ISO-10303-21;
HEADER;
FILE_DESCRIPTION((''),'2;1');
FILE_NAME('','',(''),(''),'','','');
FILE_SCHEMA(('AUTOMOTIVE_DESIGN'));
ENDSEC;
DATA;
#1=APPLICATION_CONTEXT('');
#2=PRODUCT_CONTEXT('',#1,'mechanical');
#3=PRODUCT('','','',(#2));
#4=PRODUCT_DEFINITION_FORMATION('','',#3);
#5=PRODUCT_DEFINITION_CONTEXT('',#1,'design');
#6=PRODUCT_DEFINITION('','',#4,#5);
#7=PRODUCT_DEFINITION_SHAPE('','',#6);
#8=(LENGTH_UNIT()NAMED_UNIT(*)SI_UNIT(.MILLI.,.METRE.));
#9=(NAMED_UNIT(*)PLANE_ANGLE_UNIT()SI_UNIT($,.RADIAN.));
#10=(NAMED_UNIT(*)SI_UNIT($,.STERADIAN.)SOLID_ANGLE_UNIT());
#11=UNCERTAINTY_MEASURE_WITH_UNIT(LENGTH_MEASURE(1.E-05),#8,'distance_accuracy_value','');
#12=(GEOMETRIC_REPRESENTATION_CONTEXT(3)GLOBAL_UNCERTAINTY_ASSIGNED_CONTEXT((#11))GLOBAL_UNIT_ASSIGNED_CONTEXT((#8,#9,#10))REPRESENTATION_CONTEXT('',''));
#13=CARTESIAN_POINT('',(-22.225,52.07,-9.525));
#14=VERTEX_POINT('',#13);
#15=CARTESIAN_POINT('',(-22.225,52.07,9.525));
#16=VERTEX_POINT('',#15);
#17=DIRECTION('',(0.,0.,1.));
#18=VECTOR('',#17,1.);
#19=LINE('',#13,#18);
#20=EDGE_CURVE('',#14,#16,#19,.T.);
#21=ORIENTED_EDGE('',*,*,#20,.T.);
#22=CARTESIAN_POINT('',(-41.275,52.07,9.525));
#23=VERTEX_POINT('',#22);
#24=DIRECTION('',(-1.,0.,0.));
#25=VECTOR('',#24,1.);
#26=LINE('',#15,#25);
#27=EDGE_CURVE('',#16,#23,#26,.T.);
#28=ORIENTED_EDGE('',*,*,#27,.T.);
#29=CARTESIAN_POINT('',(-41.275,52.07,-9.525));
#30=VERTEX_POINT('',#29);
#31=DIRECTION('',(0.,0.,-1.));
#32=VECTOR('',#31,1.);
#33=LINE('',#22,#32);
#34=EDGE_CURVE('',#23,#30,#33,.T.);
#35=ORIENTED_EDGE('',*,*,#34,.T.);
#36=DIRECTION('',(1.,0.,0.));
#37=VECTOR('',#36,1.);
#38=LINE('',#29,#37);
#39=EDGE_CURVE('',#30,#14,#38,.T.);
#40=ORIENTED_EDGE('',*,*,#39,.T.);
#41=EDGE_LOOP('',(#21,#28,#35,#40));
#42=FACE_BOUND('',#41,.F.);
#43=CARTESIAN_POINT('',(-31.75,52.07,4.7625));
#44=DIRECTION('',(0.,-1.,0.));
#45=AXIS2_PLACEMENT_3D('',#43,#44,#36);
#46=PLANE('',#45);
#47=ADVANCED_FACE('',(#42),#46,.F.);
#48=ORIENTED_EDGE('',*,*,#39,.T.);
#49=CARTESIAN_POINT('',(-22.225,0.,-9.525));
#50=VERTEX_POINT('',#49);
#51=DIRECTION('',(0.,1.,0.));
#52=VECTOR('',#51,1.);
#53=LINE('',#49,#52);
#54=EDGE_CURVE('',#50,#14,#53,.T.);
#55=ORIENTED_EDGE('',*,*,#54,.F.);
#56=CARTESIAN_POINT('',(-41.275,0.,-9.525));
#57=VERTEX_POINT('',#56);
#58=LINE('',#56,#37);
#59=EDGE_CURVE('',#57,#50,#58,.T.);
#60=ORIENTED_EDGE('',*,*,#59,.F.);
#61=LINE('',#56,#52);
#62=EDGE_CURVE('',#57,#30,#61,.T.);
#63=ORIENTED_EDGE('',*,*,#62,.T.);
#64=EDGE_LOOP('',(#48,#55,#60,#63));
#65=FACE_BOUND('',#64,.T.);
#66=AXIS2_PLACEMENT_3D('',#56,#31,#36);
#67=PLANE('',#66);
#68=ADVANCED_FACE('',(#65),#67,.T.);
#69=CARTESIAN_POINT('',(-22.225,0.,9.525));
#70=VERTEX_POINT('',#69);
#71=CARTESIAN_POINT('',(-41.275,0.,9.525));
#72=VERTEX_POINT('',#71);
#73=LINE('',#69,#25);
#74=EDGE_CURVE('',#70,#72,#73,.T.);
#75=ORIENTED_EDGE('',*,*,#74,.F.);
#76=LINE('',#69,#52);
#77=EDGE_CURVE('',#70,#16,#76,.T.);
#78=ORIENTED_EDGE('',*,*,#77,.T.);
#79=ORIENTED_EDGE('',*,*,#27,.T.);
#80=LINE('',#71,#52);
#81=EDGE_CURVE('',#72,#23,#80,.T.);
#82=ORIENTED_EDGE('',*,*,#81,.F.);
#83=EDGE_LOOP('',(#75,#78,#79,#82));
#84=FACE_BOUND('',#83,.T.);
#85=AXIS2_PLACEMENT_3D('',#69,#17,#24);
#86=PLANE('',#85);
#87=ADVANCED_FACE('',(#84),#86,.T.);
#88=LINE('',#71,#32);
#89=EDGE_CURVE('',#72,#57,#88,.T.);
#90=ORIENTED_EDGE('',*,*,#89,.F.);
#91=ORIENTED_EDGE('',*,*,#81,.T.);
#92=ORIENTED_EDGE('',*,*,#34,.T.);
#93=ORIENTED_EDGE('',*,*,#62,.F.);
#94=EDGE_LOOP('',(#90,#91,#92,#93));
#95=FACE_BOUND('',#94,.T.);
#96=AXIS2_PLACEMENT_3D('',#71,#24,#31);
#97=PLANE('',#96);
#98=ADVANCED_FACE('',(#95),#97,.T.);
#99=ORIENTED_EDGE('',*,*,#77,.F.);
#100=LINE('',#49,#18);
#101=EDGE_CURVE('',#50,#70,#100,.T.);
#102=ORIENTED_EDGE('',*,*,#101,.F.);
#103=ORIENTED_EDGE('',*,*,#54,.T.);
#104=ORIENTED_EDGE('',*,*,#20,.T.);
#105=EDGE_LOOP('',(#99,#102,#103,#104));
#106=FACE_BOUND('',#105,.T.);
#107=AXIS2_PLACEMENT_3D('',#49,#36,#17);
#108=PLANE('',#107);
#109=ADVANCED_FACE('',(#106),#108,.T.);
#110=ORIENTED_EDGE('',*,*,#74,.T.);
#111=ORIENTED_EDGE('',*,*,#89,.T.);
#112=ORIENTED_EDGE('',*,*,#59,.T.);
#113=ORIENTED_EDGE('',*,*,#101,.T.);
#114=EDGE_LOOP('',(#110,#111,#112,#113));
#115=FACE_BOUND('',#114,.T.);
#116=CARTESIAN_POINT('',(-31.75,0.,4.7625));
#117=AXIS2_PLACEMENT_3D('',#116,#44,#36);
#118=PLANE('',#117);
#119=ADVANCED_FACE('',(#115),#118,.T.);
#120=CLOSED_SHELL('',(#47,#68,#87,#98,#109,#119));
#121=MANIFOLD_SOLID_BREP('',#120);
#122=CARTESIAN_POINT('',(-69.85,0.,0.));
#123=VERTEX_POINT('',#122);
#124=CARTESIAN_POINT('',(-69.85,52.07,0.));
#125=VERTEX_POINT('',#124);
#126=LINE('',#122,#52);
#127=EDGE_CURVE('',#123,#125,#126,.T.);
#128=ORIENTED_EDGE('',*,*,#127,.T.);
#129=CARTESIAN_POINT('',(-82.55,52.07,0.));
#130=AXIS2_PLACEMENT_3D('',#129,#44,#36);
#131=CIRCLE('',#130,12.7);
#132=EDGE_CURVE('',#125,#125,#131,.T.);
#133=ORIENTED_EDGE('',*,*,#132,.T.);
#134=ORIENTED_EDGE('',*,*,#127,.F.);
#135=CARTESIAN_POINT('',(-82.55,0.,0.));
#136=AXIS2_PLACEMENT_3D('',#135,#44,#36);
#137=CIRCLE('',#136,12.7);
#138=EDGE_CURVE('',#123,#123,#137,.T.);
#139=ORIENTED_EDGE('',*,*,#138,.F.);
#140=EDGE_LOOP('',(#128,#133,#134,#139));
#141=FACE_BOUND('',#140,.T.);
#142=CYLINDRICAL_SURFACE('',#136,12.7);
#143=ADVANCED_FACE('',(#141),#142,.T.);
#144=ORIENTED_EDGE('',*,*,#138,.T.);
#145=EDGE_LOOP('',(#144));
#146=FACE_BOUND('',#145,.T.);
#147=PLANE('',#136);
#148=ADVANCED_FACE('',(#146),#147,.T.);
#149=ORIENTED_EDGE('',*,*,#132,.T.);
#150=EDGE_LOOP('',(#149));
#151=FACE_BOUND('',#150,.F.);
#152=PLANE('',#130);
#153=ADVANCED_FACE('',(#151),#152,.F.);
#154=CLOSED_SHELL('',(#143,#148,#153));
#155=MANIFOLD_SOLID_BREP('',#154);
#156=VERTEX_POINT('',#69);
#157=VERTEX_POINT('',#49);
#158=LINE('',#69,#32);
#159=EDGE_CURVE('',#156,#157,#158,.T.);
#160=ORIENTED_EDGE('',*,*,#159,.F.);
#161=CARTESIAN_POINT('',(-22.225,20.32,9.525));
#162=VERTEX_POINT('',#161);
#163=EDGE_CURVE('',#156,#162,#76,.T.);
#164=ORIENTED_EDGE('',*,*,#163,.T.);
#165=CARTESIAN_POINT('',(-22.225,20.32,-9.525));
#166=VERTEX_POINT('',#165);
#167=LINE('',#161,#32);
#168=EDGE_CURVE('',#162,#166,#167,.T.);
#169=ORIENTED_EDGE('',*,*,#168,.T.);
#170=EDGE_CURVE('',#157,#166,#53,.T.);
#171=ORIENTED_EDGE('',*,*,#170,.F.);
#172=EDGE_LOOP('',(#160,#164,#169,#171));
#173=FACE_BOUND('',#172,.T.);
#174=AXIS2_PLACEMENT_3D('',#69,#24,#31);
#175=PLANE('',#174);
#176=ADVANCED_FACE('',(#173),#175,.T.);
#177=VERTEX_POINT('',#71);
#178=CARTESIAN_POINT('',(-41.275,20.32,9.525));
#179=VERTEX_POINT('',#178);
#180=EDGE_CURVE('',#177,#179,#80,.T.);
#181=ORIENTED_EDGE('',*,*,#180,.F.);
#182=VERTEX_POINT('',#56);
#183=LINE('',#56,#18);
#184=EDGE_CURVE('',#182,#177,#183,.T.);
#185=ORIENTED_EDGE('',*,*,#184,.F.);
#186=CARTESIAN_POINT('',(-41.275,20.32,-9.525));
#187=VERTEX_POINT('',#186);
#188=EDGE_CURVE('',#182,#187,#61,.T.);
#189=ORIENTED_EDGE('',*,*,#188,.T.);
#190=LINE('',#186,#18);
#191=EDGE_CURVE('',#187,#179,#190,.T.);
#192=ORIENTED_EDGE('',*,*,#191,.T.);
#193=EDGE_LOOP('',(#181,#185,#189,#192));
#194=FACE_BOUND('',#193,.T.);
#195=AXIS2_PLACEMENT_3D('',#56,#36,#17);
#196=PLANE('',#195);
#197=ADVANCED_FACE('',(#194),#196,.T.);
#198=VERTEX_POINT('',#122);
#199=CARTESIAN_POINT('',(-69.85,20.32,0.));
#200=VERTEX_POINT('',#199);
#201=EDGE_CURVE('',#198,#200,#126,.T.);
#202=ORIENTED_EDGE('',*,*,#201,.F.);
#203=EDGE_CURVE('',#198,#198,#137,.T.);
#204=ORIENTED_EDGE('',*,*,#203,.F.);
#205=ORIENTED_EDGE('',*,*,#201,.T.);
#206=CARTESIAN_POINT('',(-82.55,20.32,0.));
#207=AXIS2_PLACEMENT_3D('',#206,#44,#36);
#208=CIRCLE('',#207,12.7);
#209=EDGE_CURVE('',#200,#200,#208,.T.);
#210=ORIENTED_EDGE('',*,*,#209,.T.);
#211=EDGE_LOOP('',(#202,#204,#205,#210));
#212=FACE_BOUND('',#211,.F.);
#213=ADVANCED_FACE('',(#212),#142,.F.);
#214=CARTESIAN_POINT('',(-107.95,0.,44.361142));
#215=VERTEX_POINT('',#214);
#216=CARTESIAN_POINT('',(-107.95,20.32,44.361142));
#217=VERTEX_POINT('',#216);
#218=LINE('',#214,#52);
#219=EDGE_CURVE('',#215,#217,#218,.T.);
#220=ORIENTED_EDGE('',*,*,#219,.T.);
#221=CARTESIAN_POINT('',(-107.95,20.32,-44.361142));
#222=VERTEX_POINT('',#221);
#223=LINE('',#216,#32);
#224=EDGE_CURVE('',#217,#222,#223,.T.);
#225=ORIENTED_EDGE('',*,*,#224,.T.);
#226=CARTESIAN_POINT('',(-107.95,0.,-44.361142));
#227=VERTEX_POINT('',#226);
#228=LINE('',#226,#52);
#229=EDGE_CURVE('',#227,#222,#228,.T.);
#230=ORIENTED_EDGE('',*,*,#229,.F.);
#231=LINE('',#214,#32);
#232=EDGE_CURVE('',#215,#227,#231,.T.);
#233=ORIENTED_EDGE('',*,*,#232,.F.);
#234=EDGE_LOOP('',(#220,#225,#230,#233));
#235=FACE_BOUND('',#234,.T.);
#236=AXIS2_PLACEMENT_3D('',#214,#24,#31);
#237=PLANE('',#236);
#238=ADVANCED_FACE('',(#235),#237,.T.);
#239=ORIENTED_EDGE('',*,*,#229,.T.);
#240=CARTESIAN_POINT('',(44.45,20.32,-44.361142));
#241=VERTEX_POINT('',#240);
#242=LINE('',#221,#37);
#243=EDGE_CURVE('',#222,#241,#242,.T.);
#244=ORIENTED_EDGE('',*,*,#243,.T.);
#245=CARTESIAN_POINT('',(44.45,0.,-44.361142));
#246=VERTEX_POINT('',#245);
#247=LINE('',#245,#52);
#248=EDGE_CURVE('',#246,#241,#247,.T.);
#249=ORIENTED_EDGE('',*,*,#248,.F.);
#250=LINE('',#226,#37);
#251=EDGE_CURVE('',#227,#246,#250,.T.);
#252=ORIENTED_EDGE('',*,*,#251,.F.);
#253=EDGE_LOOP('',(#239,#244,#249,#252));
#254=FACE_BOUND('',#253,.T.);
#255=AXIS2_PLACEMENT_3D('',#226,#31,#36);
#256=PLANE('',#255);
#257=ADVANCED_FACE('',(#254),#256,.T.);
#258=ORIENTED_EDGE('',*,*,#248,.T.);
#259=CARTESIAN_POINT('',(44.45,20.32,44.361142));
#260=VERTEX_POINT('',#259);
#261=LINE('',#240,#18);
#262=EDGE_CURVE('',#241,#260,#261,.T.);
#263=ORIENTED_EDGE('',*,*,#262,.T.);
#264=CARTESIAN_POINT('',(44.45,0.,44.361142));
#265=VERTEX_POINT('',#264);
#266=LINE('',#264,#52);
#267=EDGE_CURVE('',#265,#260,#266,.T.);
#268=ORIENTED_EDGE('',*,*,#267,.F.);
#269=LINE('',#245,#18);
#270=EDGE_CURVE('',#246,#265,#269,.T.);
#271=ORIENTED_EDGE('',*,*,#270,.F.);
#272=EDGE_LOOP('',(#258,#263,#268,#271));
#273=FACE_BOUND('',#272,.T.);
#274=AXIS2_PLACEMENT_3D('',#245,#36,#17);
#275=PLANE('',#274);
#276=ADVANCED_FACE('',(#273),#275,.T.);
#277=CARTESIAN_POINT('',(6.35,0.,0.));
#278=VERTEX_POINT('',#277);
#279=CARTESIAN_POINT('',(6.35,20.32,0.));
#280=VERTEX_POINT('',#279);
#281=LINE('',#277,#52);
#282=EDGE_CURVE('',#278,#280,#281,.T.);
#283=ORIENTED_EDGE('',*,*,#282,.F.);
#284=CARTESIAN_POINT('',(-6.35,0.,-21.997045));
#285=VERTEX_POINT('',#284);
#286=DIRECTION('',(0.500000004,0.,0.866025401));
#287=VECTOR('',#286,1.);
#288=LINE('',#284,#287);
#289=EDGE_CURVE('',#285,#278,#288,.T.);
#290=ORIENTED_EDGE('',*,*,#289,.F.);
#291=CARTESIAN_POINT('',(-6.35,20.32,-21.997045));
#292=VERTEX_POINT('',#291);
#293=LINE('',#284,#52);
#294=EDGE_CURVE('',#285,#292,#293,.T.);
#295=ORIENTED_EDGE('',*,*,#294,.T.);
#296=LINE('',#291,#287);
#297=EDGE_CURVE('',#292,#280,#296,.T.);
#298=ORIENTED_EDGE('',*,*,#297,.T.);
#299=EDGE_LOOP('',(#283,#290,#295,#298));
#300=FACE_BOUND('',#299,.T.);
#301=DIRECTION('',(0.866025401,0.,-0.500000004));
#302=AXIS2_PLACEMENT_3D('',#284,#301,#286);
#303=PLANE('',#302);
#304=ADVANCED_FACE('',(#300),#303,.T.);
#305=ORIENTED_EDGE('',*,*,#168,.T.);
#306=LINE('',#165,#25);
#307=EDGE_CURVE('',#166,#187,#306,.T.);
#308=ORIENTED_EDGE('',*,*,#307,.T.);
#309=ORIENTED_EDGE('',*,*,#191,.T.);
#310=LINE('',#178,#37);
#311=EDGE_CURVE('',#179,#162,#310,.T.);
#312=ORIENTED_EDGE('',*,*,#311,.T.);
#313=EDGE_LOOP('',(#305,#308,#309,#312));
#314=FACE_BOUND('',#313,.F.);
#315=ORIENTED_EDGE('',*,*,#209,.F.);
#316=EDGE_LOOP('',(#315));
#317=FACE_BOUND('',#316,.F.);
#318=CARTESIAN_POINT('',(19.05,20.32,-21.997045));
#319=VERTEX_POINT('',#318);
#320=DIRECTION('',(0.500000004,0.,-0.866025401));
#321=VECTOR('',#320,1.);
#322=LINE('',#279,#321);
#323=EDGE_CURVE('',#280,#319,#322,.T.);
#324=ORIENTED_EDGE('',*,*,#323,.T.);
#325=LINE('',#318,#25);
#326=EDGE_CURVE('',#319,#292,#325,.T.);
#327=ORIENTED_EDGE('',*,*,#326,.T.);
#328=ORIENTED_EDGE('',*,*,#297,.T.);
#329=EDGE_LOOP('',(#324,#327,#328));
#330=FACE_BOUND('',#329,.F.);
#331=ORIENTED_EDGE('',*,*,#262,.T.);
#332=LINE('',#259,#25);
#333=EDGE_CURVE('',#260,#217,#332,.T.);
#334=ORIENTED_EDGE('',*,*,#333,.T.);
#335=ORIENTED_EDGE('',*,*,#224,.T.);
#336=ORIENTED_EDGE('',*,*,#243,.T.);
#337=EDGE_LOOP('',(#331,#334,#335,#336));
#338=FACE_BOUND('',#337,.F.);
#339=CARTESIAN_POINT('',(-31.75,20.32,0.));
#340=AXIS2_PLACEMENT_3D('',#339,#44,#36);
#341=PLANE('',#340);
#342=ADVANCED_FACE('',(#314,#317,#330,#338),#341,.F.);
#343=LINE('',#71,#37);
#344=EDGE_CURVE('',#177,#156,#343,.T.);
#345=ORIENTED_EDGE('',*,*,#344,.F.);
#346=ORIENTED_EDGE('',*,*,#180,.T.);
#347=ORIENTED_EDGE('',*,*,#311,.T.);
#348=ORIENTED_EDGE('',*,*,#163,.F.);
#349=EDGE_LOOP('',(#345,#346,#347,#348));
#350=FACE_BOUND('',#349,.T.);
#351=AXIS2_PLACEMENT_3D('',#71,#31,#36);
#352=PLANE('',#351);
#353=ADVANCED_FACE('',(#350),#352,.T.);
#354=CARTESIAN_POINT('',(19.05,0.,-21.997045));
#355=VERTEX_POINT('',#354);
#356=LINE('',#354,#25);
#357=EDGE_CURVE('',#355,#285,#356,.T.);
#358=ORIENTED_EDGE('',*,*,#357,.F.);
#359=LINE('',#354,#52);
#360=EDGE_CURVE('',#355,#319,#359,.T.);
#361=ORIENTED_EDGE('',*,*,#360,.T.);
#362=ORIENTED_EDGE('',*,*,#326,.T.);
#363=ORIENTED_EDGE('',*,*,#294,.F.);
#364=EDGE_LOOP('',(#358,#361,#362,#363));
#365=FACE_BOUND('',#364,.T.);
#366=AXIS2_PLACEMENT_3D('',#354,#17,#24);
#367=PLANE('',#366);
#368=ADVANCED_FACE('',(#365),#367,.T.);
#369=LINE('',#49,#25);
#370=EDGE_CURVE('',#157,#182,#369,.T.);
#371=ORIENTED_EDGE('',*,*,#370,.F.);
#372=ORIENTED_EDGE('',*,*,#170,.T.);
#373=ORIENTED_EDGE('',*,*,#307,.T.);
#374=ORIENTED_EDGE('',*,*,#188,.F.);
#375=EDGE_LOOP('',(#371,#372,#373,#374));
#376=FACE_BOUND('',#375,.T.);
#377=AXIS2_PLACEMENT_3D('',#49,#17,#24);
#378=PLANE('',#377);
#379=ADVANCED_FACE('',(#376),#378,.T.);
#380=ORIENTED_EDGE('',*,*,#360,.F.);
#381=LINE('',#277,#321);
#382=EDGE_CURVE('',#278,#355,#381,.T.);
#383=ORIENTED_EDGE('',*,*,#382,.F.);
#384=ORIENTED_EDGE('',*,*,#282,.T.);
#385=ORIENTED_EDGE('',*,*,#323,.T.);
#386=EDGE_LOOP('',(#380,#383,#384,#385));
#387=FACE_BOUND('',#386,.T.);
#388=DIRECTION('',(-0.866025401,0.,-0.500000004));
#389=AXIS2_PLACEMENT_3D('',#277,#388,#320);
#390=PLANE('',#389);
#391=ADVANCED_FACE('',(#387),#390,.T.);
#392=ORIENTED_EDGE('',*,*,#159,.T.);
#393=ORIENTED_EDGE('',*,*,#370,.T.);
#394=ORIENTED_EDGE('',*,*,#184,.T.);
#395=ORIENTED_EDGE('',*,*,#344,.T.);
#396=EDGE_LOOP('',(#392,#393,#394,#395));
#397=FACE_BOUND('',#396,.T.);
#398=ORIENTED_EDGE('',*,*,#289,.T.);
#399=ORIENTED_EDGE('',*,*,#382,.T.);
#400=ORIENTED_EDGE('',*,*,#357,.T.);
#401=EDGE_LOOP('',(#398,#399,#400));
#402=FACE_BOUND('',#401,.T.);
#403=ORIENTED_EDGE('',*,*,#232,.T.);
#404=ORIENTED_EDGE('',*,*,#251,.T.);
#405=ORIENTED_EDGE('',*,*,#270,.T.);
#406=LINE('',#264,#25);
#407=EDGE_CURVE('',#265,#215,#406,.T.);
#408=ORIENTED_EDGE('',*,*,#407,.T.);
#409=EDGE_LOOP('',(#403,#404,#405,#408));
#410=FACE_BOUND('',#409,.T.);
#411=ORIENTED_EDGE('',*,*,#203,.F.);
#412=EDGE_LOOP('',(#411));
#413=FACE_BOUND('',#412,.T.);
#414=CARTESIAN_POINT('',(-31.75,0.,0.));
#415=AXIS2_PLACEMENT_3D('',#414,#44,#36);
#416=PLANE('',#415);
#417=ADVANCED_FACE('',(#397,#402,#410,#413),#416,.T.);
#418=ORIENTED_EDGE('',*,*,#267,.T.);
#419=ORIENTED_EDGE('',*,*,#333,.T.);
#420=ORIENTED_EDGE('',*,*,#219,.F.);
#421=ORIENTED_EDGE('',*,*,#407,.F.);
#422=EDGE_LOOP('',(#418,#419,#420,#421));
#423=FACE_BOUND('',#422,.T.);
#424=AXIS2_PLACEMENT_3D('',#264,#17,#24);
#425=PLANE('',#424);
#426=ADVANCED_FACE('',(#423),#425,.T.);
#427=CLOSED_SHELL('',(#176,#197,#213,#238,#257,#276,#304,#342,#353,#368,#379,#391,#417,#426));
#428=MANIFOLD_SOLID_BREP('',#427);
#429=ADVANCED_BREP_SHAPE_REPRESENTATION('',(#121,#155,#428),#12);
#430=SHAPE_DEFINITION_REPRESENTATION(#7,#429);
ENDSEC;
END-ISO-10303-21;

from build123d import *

# Parameters (mm, degrees)
F0_R     = 12.7
F1_DEPTH = 20.32
F2_DEPTH = 52.07


with BuildPart() as f1:
    # F0 (on Front) → F1 (new body)
    with BuildSketch(Plane.XZ):
        Polygon((44.45, -44.361142), (44.45, 0), (44.45, 44.361142), (-107.95, 44.361142), (-107.95, -44.361142), (0, -44.361142), align=None)
        with Locations((-82.55, 0)):
            Circle(F0_R, mode=Mode.SUBTRACT)
        Polygon((-22.225, 9.525), (-22.225, 0), (-22.225, -9.525), (-41.275, -9.525), (-41.275, 0), (-41.275, 9.525), align=None, mode=Mode.SUBTRACT)
        Polygon((-6.35, -21.997045), (6.35, 0), (19.05, -21.997045), align=None, mode=Mode.SUBTRACT)
    extrude(amount=-F1_DEPTH)


with BuildPart() as f2:
    # F0 (on Front) → F2 (new body)
    with BuildSketch(Plane.XZ):
        with Locations((-82.55, 0)):
            Circle(F0_R)
        Polygon((-31.75, 0), (-22.225, 0), (-22.225, 9.525), (-41.275, 9.525), (-41.275, 0), align=None)
        Polygon((-22.225, -9.525), (-22.225, 0), (-31.75, 0), (-41.275, 0), (-41.275, -9.525), align=None)
    extrude(amount=-F2_DEPTH)


solid = Compound([f1.part, f2.part])
